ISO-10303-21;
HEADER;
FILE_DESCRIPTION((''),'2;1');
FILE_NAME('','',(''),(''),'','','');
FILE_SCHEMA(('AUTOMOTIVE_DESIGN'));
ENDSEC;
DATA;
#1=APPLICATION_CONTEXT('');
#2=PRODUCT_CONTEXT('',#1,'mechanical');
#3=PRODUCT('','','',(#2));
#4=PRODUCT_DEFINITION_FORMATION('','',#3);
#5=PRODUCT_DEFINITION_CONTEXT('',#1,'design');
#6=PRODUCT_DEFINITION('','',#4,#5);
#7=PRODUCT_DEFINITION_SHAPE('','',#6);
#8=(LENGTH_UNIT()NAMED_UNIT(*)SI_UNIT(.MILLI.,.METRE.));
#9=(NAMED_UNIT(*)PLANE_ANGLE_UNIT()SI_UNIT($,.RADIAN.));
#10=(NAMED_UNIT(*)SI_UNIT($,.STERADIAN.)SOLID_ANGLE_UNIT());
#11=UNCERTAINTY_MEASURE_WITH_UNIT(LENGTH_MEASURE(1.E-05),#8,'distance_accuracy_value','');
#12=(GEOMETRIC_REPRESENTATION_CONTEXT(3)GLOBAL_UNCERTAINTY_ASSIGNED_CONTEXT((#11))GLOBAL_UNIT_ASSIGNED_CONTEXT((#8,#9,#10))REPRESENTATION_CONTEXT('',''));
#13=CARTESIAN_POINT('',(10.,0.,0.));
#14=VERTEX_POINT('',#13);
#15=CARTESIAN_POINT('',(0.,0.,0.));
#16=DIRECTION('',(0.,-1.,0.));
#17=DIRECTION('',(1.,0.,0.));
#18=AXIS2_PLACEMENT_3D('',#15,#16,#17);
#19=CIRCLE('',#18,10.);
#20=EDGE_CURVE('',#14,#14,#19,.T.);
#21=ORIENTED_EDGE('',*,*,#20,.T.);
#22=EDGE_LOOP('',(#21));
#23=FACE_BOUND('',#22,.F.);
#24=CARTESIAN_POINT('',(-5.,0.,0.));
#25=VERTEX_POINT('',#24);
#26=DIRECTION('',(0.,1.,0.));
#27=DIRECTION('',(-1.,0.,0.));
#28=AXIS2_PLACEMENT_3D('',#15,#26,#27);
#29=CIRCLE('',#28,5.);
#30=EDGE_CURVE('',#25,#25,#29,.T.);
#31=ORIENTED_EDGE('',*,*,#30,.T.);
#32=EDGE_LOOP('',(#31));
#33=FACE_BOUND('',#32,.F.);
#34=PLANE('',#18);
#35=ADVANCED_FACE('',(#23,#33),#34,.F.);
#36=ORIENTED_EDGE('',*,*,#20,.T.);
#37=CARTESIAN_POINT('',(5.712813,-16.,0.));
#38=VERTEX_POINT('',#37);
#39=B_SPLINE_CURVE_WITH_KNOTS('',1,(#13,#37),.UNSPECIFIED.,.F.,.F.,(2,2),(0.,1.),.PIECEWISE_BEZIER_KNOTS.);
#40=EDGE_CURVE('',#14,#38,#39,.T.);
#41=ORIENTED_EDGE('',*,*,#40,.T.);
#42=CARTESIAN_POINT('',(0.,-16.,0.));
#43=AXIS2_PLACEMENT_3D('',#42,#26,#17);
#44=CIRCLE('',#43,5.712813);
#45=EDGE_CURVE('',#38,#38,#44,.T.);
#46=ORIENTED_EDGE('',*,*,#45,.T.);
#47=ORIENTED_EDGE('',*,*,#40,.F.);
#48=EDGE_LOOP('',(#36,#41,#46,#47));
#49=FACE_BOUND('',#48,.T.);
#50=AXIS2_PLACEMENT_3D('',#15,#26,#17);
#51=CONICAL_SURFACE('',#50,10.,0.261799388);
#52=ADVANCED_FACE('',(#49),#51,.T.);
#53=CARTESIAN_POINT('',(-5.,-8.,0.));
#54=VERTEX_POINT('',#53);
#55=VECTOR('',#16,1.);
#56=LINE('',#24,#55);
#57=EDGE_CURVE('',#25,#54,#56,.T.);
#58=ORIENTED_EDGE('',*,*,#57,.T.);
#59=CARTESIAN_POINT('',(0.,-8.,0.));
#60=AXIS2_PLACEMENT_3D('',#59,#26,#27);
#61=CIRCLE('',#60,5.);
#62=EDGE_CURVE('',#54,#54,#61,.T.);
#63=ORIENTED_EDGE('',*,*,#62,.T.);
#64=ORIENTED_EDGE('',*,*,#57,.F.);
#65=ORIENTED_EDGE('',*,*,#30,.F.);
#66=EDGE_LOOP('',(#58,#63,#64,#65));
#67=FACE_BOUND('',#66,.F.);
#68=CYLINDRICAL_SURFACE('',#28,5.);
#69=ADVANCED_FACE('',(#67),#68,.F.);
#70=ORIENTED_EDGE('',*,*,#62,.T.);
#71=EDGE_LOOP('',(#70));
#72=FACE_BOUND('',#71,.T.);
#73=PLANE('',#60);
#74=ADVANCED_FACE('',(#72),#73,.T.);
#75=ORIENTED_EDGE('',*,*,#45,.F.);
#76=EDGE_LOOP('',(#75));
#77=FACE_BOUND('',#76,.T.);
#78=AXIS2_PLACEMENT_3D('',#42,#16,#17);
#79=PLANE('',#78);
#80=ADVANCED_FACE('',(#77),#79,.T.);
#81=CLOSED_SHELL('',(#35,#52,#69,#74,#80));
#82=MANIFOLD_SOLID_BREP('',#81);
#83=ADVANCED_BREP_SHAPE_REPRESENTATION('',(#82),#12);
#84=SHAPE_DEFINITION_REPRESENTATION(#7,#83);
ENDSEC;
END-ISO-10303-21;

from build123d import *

# Parameters (mm, degrees)
F0_R     = 10
F1_DEPTH = 16
F1_TAPER = 15
F2_R     = 5
F3_DEPTH = 8


with BuildPart() as f1:
    # F0 (on Front) → F1 (new body)
    with BuildSketch(Plane.XZ):
        Circle(F0_R)
    extrude(amount=F1_DEPTH, taper=F1_TAPER)

    # F2 (on face) → F3 (cut)
    with BuildSketch(Plane(origin=(0, 0, 0), x_dir=(-1, 0, 0), z_dir=(0, 1, 0))):
        Circle(F2_R)
    extrude(amount=-F3_DEPTH, mode=Mode.SUBTRACT)


solid = f1.part
